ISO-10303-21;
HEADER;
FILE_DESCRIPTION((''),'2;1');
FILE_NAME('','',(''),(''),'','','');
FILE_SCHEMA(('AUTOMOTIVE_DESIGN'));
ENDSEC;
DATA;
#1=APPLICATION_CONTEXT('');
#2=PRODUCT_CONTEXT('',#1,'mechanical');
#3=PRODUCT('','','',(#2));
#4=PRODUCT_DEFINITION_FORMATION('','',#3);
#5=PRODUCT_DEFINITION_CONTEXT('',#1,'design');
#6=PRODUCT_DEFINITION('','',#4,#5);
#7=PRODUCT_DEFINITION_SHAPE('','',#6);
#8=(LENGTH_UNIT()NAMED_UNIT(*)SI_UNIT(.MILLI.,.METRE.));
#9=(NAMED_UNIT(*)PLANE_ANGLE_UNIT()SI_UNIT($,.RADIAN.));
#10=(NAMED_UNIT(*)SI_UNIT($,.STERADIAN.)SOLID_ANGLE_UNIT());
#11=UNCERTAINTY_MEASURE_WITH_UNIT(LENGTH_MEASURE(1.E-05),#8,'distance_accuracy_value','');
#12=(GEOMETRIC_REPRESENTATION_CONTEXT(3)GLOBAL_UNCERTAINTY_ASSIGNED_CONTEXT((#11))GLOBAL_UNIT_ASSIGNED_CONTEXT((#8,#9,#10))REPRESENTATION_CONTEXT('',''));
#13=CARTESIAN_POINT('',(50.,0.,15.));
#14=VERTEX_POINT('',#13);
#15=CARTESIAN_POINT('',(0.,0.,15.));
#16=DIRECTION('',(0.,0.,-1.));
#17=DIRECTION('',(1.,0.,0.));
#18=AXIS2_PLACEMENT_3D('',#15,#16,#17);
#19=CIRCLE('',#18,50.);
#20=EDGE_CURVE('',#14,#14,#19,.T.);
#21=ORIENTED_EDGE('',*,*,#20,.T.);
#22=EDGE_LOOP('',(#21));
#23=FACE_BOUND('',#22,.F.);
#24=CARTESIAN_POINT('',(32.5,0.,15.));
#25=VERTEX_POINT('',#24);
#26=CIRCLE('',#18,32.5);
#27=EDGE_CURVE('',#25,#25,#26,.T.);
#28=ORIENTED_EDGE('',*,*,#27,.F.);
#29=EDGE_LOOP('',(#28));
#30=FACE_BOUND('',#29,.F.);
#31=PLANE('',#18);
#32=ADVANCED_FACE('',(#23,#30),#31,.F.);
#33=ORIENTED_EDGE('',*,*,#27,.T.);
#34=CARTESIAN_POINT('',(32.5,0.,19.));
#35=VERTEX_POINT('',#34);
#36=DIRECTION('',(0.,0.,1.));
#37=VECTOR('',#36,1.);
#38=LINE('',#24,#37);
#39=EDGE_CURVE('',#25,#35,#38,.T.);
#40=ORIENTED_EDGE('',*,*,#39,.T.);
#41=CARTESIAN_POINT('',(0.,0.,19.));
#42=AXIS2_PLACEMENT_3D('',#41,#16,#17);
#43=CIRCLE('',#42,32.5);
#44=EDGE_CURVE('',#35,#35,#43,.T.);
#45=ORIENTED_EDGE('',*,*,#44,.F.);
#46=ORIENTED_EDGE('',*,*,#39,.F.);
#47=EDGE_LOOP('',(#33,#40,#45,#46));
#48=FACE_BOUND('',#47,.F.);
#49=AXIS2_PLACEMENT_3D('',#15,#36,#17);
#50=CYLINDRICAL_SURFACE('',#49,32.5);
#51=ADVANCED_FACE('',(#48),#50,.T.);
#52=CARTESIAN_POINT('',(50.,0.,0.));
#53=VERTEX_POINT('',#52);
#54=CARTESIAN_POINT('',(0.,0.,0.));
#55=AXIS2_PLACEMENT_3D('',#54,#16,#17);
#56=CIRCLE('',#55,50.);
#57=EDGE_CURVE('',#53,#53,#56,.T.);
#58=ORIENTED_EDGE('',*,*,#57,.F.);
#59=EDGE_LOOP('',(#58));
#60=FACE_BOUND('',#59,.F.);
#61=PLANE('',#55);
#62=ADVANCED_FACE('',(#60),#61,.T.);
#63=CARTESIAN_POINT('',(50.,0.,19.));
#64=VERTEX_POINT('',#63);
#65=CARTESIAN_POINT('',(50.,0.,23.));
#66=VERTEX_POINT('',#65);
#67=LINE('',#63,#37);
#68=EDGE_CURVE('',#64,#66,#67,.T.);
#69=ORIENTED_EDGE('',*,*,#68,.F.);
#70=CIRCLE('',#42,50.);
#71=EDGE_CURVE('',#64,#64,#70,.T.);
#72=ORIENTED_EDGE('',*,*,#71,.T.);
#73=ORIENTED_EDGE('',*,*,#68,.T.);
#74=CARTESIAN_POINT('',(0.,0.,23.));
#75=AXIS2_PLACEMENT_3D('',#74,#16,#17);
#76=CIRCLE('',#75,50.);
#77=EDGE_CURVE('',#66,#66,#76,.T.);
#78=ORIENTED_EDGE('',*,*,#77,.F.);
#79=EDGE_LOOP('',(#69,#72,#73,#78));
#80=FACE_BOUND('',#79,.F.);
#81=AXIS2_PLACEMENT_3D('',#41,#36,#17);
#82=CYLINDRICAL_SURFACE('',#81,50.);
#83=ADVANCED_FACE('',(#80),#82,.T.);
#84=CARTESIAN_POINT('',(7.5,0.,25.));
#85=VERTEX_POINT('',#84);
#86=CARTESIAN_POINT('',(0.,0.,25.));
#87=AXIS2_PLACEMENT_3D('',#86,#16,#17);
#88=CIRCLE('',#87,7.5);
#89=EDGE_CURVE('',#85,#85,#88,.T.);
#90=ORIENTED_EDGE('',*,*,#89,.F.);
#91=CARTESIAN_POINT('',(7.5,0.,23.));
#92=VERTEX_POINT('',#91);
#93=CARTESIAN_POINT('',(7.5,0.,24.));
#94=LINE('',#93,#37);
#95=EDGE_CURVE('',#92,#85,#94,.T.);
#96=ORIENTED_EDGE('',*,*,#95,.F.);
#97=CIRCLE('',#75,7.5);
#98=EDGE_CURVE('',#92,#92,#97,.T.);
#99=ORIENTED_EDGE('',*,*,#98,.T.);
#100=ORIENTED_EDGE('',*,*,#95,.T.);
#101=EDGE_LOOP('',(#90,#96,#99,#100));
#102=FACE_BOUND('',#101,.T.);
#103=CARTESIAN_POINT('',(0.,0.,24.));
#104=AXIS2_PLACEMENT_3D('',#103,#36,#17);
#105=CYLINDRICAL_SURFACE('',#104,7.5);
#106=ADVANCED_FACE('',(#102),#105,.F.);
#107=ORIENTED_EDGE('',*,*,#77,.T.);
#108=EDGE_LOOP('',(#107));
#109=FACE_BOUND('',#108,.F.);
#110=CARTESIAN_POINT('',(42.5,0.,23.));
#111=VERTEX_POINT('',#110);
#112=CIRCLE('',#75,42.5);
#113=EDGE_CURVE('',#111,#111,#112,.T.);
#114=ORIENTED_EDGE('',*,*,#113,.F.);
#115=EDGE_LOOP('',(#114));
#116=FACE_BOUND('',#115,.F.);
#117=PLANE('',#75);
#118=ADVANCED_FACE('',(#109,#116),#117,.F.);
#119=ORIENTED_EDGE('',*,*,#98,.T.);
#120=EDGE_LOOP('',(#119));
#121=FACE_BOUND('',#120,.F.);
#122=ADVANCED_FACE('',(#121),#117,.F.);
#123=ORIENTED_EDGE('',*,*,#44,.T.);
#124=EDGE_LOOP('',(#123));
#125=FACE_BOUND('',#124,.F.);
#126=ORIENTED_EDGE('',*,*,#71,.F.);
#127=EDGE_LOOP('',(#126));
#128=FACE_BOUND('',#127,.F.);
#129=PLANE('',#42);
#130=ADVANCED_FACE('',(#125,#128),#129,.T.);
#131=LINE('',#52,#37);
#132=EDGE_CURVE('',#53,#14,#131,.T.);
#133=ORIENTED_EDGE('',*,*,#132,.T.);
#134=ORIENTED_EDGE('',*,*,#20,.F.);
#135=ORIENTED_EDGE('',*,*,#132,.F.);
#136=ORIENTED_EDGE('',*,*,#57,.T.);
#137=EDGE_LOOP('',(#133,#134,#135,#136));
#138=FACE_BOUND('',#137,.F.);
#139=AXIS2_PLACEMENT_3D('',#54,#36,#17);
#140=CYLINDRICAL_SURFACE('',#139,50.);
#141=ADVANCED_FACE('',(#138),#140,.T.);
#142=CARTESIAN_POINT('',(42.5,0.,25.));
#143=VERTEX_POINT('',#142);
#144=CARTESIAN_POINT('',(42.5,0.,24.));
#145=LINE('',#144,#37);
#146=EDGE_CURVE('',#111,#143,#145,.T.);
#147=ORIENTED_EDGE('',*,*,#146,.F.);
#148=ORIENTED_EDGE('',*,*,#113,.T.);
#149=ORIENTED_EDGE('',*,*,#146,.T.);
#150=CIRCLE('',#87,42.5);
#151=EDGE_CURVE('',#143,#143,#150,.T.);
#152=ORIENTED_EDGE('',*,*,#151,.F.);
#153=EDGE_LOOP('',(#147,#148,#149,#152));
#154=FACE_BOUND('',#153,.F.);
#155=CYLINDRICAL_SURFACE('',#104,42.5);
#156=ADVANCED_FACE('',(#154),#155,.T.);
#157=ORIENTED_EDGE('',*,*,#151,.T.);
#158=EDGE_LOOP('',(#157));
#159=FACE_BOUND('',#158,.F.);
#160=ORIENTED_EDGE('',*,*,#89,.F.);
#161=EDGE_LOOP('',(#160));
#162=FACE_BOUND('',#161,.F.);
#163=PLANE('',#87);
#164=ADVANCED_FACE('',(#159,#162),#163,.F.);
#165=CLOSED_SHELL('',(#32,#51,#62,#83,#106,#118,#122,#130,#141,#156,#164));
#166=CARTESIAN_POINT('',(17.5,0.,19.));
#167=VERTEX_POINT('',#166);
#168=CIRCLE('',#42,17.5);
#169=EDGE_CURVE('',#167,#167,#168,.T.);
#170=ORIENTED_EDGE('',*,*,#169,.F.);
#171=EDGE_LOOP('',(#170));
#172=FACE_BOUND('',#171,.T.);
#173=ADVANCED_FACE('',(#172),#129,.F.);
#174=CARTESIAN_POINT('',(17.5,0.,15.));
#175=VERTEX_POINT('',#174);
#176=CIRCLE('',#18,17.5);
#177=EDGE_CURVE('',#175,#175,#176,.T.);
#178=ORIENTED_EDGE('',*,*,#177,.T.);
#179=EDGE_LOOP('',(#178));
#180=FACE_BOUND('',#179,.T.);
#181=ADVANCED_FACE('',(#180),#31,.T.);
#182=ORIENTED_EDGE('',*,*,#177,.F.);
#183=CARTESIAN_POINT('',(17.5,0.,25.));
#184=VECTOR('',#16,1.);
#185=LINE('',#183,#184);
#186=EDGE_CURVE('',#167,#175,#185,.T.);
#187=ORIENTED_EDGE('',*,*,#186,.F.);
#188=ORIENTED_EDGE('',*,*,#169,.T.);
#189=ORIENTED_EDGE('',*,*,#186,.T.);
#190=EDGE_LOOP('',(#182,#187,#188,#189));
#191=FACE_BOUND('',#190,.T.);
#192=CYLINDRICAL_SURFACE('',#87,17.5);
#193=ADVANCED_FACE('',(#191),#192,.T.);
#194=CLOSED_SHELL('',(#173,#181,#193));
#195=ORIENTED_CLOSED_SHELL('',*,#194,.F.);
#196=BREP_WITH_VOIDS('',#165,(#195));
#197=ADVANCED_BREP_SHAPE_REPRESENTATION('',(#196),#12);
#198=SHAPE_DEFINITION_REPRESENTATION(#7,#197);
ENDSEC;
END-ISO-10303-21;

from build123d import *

# Parameters (mm, degrees)
F0_W = 10
F0_H = 2


with BuildPart() as f1:
    # F0 (on Front) → F1 (revolve)
    with BuildSketch(Plane.XZ):
        Polygon((0, 15), (0, 0), (50, 0), (50, 15), (32.5, 15), (17.5, 15), align=None)
        Polygon((17.5, 19), (17.5, 15), (32.5, 15), (32.5, 19), (32.5, 23), (32.5, 25), (17.5, 25), (17.5, 23), align=None)
        Polygon((0, 19), (17.5, 19), (17.5, 23), (7.5, 23), (0, 23), align=None)
        with Locations((12.5, 24)):
            Rectangle(F0_W, F0_H)
        with Locations((37.5, 24)):
            Rectangle(F0_W, F0_H)
        Polygon((32.5, 23), (32.5, 19), (50, 19), (50, 23), (42.5, 23), align=None)
    revolve(axis=Axis((0, 0, 21), (0, 0, -1)))


solid = f1.part
